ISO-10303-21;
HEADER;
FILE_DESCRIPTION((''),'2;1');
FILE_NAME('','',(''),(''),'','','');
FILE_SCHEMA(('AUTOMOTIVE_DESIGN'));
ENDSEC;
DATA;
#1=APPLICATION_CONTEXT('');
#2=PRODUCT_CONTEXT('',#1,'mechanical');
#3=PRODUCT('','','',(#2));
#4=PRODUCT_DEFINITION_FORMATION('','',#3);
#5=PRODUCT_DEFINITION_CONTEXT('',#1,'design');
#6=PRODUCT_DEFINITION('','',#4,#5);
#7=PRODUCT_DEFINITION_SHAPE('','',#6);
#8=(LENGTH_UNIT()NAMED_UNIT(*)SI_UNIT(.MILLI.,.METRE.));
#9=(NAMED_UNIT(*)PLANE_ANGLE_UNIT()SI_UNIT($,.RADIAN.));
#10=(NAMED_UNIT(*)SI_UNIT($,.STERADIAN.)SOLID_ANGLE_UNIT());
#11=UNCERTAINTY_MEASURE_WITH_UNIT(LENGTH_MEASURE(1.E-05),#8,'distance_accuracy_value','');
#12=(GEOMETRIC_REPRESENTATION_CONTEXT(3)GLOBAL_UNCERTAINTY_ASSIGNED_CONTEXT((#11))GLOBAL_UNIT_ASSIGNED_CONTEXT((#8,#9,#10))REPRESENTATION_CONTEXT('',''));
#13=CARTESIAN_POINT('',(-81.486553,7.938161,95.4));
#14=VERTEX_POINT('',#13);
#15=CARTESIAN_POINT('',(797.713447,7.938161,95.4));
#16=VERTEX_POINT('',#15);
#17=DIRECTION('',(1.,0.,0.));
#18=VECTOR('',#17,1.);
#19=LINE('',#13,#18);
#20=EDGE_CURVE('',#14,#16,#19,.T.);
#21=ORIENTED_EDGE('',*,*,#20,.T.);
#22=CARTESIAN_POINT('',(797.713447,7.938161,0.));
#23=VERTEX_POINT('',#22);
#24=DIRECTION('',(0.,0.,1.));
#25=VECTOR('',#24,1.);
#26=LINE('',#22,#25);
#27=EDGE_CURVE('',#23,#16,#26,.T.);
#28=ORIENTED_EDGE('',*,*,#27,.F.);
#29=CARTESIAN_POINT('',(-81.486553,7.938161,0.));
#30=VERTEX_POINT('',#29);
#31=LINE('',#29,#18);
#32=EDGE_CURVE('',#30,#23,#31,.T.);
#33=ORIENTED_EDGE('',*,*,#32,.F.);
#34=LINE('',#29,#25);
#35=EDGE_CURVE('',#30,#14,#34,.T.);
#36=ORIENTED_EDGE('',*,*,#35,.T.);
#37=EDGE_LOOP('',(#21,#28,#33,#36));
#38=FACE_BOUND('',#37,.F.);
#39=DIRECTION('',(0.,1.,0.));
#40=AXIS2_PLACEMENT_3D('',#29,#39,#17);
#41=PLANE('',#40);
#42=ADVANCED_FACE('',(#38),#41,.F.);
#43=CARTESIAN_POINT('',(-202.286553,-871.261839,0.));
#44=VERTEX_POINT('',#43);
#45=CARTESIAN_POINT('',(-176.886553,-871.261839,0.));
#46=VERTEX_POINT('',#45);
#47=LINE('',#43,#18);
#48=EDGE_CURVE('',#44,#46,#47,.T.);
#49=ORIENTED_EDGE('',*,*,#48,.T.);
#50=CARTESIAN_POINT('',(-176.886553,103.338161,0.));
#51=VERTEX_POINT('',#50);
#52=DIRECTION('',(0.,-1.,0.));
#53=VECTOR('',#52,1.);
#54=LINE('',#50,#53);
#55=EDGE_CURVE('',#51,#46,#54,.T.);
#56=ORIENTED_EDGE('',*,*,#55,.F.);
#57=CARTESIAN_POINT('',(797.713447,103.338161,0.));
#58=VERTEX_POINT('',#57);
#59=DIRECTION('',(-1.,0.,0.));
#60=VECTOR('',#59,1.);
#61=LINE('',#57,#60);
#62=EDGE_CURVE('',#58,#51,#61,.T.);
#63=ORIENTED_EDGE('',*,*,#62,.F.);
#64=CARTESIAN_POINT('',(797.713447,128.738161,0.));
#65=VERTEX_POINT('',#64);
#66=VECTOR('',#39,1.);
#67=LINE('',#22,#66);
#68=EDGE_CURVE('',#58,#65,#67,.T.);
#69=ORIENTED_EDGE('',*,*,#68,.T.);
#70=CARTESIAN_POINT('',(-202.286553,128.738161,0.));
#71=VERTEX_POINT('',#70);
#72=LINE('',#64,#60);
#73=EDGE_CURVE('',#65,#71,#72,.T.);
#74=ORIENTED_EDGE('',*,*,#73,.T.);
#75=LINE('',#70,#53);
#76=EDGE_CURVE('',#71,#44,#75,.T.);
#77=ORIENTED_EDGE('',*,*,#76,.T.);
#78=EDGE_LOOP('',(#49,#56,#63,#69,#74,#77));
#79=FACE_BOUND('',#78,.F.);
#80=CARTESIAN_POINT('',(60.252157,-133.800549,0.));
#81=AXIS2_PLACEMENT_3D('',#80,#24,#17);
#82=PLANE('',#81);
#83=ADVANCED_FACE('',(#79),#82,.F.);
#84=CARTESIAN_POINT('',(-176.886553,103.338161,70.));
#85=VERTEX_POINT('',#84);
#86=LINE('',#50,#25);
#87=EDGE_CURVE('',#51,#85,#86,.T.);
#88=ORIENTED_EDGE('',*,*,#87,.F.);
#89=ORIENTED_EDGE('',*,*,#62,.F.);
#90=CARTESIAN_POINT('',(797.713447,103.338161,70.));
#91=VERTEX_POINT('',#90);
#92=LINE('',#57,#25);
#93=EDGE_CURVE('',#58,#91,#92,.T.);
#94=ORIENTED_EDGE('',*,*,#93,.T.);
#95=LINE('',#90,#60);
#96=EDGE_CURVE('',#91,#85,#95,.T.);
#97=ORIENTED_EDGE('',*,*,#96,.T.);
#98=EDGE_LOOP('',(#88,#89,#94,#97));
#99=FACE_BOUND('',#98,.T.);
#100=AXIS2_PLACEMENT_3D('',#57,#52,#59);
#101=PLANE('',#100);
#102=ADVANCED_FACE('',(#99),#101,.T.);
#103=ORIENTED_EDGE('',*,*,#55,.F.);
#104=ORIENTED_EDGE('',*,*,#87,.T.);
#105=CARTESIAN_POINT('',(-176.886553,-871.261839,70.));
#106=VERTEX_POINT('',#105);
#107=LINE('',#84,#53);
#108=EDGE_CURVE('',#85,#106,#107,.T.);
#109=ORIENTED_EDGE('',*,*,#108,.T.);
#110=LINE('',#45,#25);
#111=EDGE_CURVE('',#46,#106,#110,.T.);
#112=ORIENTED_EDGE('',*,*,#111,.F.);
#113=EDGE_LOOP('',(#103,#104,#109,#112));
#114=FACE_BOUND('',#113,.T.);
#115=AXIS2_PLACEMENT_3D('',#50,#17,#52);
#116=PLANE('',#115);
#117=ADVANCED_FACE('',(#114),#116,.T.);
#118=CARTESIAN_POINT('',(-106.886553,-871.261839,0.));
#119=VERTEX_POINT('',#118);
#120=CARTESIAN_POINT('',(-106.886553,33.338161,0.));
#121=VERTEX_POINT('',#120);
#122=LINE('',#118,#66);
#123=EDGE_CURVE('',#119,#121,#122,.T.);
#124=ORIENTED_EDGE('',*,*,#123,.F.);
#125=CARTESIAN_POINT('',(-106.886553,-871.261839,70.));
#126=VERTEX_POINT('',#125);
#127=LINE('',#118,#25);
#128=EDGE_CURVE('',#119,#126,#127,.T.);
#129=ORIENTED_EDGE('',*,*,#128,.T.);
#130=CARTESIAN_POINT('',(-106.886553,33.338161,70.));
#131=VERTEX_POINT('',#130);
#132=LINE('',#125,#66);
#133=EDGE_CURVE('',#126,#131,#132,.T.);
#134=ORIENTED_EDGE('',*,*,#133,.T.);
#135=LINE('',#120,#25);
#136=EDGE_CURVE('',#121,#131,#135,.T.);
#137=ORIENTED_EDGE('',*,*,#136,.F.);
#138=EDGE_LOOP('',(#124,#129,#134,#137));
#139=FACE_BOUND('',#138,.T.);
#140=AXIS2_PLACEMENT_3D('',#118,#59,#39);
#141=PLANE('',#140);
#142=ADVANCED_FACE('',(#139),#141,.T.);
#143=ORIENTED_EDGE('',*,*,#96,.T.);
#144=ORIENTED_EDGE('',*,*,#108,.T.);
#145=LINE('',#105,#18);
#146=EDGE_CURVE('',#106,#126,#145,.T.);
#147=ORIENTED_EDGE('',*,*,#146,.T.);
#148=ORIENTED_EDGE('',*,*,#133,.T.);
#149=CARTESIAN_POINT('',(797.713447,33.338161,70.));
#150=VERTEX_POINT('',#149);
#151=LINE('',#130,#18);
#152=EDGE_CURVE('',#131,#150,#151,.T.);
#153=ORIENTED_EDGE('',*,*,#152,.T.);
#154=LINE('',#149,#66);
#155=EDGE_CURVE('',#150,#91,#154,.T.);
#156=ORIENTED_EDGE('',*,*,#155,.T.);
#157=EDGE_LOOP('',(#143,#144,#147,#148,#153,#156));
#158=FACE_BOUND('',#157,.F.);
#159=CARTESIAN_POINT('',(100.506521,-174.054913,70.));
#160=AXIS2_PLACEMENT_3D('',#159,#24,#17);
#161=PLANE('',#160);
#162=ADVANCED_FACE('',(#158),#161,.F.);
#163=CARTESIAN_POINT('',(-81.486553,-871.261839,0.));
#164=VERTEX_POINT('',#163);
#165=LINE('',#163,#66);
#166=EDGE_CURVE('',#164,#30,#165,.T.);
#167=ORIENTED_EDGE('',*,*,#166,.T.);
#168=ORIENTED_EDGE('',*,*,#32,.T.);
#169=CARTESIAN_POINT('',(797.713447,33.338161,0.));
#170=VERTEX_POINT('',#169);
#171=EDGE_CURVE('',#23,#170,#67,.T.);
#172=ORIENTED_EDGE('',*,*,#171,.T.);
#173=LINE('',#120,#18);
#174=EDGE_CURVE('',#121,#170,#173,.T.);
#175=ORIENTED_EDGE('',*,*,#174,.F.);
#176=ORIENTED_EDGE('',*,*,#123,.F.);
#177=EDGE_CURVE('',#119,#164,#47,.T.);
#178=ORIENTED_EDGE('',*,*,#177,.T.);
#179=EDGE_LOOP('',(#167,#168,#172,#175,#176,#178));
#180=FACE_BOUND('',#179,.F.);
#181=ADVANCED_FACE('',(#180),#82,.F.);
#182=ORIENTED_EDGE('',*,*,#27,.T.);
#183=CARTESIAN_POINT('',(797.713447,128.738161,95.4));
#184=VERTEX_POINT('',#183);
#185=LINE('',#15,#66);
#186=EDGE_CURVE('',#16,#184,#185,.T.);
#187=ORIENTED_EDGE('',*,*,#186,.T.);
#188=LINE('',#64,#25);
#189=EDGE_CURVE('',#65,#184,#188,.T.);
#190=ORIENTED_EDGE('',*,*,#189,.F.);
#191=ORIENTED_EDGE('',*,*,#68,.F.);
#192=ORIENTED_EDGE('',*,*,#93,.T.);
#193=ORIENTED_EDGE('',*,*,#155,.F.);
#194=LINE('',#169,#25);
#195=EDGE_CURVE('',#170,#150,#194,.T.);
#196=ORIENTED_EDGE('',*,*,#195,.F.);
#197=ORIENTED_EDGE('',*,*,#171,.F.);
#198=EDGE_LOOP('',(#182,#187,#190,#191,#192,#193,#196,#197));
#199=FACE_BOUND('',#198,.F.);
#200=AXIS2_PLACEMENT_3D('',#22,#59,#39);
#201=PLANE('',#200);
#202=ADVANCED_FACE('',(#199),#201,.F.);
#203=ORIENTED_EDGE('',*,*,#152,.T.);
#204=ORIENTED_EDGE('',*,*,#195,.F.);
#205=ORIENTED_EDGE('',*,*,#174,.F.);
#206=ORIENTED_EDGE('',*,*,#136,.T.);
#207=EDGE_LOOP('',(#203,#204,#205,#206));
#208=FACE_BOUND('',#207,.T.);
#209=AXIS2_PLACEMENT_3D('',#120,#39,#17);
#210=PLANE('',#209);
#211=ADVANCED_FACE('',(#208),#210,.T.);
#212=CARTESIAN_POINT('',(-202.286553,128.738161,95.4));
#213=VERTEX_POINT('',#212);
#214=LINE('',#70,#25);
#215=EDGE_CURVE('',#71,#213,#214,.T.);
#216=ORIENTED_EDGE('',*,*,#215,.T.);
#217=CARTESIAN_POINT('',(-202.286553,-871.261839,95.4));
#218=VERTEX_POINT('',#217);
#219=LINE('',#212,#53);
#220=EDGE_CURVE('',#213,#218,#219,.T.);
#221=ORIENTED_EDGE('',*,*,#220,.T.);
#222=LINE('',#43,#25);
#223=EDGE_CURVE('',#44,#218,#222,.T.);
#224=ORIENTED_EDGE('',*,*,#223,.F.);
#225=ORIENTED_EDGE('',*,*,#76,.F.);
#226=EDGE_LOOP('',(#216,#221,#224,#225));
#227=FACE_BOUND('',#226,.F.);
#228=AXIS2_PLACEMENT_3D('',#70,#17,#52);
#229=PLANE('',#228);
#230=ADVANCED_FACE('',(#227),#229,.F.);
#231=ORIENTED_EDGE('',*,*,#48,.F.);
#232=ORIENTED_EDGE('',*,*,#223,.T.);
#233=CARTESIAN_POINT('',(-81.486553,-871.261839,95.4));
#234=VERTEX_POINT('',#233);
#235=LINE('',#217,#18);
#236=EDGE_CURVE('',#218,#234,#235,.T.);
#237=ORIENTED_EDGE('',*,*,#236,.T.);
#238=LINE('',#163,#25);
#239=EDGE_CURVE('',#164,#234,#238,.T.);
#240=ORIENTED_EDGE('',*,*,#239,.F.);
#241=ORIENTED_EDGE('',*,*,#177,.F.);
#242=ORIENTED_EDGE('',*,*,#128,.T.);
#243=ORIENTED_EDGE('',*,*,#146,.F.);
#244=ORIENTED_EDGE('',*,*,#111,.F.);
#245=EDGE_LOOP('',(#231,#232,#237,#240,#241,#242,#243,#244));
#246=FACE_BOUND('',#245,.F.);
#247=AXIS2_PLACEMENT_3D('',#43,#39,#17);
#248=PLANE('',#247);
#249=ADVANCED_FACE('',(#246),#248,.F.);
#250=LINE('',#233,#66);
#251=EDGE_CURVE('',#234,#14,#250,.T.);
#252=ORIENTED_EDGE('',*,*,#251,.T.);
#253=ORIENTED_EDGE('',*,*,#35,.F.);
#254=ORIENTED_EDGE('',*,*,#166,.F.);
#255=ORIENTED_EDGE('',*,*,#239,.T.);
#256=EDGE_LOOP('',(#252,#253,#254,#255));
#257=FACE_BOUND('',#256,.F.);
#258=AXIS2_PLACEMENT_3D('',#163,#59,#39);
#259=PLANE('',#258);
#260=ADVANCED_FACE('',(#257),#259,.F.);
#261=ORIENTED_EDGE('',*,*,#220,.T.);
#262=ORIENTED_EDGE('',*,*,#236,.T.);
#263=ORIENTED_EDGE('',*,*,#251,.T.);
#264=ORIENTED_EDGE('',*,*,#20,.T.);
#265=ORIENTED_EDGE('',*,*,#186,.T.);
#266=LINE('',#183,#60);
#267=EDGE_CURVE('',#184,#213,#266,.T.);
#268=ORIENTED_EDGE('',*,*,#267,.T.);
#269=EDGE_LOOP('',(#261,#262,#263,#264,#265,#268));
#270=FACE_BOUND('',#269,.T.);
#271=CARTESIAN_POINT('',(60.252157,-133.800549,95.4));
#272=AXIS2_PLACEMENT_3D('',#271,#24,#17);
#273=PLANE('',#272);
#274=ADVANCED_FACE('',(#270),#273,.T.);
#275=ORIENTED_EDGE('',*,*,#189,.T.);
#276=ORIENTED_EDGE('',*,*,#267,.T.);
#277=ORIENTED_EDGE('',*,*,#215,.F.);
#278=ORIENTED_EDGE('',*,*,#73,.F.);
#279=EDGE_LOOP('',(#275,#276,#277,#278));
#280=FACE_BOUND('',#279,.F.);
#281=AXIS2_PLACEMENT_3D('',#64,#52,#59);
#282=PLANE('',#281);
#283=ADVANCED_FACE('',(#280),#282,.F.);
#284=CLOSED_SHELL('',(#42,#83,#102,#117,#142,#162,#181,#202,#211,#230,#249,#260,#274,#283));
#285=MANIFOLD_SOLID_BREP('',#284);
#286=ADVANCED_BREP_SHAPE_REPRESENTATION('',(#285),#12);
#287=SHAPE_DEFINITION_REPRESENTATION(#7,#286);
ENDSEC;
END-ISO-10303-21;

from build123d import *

# Parameters (mm, degrees)
F1_DEPTH = 95.4
F2_DEPTH = 70


with BuildPart() as f1:
    # F0 (on Top) → F1 (new body)
    with BuildSketch(Plane.XY):
        Polygon((-176.886553, 33.338161), (-176.886553, 103.338161), (-106.886553, 103.338161), (797.713447, 103.338161), (797.713447, 128.738161), (-81.486553, 128.738161), (-202.286553, 128.738161), (-202.286553, -1.536219), (-202.286553, -871.261839), (-176.886553, -871.261839), align=None)
        Polygon((-106.886553, 103.338161), (-176.886553, 103.338161), (-176.886553, 33.338161), (-176.886553, -871.261839), (-106.886553, -871.261839), (-106.886553, 33.338161), (797.713447, 33.338161), (797.713447, 103.338161), align=None)
        Polygon((797.713447, 7.938161), (797.713447, 33.338161), (-106.886553, 33.338161), (-106.886553, -871.261839), (-81.486553, -871.261839), (-81.486553, 7.938161), align=None)
    extrude(amount=F1_DEPTH)

    # F0 (on Top) → F2 (cut)
    with BuildSketch(Plane.XY):
        Polygon((-106.886553, 103.338161), (-176.886553, 103.338161), (-176.886553, 33.338161), (-176.886553, -871.261839), (-106.886553, -871.261839), (-106.886553, 33.338161), (797.713447, 33.338161), (797.713447, 103.338161), align=None)
    extrude(amount=F2_DEPTH, mode=Mode.SUBTRACT)


solid = f1.part
